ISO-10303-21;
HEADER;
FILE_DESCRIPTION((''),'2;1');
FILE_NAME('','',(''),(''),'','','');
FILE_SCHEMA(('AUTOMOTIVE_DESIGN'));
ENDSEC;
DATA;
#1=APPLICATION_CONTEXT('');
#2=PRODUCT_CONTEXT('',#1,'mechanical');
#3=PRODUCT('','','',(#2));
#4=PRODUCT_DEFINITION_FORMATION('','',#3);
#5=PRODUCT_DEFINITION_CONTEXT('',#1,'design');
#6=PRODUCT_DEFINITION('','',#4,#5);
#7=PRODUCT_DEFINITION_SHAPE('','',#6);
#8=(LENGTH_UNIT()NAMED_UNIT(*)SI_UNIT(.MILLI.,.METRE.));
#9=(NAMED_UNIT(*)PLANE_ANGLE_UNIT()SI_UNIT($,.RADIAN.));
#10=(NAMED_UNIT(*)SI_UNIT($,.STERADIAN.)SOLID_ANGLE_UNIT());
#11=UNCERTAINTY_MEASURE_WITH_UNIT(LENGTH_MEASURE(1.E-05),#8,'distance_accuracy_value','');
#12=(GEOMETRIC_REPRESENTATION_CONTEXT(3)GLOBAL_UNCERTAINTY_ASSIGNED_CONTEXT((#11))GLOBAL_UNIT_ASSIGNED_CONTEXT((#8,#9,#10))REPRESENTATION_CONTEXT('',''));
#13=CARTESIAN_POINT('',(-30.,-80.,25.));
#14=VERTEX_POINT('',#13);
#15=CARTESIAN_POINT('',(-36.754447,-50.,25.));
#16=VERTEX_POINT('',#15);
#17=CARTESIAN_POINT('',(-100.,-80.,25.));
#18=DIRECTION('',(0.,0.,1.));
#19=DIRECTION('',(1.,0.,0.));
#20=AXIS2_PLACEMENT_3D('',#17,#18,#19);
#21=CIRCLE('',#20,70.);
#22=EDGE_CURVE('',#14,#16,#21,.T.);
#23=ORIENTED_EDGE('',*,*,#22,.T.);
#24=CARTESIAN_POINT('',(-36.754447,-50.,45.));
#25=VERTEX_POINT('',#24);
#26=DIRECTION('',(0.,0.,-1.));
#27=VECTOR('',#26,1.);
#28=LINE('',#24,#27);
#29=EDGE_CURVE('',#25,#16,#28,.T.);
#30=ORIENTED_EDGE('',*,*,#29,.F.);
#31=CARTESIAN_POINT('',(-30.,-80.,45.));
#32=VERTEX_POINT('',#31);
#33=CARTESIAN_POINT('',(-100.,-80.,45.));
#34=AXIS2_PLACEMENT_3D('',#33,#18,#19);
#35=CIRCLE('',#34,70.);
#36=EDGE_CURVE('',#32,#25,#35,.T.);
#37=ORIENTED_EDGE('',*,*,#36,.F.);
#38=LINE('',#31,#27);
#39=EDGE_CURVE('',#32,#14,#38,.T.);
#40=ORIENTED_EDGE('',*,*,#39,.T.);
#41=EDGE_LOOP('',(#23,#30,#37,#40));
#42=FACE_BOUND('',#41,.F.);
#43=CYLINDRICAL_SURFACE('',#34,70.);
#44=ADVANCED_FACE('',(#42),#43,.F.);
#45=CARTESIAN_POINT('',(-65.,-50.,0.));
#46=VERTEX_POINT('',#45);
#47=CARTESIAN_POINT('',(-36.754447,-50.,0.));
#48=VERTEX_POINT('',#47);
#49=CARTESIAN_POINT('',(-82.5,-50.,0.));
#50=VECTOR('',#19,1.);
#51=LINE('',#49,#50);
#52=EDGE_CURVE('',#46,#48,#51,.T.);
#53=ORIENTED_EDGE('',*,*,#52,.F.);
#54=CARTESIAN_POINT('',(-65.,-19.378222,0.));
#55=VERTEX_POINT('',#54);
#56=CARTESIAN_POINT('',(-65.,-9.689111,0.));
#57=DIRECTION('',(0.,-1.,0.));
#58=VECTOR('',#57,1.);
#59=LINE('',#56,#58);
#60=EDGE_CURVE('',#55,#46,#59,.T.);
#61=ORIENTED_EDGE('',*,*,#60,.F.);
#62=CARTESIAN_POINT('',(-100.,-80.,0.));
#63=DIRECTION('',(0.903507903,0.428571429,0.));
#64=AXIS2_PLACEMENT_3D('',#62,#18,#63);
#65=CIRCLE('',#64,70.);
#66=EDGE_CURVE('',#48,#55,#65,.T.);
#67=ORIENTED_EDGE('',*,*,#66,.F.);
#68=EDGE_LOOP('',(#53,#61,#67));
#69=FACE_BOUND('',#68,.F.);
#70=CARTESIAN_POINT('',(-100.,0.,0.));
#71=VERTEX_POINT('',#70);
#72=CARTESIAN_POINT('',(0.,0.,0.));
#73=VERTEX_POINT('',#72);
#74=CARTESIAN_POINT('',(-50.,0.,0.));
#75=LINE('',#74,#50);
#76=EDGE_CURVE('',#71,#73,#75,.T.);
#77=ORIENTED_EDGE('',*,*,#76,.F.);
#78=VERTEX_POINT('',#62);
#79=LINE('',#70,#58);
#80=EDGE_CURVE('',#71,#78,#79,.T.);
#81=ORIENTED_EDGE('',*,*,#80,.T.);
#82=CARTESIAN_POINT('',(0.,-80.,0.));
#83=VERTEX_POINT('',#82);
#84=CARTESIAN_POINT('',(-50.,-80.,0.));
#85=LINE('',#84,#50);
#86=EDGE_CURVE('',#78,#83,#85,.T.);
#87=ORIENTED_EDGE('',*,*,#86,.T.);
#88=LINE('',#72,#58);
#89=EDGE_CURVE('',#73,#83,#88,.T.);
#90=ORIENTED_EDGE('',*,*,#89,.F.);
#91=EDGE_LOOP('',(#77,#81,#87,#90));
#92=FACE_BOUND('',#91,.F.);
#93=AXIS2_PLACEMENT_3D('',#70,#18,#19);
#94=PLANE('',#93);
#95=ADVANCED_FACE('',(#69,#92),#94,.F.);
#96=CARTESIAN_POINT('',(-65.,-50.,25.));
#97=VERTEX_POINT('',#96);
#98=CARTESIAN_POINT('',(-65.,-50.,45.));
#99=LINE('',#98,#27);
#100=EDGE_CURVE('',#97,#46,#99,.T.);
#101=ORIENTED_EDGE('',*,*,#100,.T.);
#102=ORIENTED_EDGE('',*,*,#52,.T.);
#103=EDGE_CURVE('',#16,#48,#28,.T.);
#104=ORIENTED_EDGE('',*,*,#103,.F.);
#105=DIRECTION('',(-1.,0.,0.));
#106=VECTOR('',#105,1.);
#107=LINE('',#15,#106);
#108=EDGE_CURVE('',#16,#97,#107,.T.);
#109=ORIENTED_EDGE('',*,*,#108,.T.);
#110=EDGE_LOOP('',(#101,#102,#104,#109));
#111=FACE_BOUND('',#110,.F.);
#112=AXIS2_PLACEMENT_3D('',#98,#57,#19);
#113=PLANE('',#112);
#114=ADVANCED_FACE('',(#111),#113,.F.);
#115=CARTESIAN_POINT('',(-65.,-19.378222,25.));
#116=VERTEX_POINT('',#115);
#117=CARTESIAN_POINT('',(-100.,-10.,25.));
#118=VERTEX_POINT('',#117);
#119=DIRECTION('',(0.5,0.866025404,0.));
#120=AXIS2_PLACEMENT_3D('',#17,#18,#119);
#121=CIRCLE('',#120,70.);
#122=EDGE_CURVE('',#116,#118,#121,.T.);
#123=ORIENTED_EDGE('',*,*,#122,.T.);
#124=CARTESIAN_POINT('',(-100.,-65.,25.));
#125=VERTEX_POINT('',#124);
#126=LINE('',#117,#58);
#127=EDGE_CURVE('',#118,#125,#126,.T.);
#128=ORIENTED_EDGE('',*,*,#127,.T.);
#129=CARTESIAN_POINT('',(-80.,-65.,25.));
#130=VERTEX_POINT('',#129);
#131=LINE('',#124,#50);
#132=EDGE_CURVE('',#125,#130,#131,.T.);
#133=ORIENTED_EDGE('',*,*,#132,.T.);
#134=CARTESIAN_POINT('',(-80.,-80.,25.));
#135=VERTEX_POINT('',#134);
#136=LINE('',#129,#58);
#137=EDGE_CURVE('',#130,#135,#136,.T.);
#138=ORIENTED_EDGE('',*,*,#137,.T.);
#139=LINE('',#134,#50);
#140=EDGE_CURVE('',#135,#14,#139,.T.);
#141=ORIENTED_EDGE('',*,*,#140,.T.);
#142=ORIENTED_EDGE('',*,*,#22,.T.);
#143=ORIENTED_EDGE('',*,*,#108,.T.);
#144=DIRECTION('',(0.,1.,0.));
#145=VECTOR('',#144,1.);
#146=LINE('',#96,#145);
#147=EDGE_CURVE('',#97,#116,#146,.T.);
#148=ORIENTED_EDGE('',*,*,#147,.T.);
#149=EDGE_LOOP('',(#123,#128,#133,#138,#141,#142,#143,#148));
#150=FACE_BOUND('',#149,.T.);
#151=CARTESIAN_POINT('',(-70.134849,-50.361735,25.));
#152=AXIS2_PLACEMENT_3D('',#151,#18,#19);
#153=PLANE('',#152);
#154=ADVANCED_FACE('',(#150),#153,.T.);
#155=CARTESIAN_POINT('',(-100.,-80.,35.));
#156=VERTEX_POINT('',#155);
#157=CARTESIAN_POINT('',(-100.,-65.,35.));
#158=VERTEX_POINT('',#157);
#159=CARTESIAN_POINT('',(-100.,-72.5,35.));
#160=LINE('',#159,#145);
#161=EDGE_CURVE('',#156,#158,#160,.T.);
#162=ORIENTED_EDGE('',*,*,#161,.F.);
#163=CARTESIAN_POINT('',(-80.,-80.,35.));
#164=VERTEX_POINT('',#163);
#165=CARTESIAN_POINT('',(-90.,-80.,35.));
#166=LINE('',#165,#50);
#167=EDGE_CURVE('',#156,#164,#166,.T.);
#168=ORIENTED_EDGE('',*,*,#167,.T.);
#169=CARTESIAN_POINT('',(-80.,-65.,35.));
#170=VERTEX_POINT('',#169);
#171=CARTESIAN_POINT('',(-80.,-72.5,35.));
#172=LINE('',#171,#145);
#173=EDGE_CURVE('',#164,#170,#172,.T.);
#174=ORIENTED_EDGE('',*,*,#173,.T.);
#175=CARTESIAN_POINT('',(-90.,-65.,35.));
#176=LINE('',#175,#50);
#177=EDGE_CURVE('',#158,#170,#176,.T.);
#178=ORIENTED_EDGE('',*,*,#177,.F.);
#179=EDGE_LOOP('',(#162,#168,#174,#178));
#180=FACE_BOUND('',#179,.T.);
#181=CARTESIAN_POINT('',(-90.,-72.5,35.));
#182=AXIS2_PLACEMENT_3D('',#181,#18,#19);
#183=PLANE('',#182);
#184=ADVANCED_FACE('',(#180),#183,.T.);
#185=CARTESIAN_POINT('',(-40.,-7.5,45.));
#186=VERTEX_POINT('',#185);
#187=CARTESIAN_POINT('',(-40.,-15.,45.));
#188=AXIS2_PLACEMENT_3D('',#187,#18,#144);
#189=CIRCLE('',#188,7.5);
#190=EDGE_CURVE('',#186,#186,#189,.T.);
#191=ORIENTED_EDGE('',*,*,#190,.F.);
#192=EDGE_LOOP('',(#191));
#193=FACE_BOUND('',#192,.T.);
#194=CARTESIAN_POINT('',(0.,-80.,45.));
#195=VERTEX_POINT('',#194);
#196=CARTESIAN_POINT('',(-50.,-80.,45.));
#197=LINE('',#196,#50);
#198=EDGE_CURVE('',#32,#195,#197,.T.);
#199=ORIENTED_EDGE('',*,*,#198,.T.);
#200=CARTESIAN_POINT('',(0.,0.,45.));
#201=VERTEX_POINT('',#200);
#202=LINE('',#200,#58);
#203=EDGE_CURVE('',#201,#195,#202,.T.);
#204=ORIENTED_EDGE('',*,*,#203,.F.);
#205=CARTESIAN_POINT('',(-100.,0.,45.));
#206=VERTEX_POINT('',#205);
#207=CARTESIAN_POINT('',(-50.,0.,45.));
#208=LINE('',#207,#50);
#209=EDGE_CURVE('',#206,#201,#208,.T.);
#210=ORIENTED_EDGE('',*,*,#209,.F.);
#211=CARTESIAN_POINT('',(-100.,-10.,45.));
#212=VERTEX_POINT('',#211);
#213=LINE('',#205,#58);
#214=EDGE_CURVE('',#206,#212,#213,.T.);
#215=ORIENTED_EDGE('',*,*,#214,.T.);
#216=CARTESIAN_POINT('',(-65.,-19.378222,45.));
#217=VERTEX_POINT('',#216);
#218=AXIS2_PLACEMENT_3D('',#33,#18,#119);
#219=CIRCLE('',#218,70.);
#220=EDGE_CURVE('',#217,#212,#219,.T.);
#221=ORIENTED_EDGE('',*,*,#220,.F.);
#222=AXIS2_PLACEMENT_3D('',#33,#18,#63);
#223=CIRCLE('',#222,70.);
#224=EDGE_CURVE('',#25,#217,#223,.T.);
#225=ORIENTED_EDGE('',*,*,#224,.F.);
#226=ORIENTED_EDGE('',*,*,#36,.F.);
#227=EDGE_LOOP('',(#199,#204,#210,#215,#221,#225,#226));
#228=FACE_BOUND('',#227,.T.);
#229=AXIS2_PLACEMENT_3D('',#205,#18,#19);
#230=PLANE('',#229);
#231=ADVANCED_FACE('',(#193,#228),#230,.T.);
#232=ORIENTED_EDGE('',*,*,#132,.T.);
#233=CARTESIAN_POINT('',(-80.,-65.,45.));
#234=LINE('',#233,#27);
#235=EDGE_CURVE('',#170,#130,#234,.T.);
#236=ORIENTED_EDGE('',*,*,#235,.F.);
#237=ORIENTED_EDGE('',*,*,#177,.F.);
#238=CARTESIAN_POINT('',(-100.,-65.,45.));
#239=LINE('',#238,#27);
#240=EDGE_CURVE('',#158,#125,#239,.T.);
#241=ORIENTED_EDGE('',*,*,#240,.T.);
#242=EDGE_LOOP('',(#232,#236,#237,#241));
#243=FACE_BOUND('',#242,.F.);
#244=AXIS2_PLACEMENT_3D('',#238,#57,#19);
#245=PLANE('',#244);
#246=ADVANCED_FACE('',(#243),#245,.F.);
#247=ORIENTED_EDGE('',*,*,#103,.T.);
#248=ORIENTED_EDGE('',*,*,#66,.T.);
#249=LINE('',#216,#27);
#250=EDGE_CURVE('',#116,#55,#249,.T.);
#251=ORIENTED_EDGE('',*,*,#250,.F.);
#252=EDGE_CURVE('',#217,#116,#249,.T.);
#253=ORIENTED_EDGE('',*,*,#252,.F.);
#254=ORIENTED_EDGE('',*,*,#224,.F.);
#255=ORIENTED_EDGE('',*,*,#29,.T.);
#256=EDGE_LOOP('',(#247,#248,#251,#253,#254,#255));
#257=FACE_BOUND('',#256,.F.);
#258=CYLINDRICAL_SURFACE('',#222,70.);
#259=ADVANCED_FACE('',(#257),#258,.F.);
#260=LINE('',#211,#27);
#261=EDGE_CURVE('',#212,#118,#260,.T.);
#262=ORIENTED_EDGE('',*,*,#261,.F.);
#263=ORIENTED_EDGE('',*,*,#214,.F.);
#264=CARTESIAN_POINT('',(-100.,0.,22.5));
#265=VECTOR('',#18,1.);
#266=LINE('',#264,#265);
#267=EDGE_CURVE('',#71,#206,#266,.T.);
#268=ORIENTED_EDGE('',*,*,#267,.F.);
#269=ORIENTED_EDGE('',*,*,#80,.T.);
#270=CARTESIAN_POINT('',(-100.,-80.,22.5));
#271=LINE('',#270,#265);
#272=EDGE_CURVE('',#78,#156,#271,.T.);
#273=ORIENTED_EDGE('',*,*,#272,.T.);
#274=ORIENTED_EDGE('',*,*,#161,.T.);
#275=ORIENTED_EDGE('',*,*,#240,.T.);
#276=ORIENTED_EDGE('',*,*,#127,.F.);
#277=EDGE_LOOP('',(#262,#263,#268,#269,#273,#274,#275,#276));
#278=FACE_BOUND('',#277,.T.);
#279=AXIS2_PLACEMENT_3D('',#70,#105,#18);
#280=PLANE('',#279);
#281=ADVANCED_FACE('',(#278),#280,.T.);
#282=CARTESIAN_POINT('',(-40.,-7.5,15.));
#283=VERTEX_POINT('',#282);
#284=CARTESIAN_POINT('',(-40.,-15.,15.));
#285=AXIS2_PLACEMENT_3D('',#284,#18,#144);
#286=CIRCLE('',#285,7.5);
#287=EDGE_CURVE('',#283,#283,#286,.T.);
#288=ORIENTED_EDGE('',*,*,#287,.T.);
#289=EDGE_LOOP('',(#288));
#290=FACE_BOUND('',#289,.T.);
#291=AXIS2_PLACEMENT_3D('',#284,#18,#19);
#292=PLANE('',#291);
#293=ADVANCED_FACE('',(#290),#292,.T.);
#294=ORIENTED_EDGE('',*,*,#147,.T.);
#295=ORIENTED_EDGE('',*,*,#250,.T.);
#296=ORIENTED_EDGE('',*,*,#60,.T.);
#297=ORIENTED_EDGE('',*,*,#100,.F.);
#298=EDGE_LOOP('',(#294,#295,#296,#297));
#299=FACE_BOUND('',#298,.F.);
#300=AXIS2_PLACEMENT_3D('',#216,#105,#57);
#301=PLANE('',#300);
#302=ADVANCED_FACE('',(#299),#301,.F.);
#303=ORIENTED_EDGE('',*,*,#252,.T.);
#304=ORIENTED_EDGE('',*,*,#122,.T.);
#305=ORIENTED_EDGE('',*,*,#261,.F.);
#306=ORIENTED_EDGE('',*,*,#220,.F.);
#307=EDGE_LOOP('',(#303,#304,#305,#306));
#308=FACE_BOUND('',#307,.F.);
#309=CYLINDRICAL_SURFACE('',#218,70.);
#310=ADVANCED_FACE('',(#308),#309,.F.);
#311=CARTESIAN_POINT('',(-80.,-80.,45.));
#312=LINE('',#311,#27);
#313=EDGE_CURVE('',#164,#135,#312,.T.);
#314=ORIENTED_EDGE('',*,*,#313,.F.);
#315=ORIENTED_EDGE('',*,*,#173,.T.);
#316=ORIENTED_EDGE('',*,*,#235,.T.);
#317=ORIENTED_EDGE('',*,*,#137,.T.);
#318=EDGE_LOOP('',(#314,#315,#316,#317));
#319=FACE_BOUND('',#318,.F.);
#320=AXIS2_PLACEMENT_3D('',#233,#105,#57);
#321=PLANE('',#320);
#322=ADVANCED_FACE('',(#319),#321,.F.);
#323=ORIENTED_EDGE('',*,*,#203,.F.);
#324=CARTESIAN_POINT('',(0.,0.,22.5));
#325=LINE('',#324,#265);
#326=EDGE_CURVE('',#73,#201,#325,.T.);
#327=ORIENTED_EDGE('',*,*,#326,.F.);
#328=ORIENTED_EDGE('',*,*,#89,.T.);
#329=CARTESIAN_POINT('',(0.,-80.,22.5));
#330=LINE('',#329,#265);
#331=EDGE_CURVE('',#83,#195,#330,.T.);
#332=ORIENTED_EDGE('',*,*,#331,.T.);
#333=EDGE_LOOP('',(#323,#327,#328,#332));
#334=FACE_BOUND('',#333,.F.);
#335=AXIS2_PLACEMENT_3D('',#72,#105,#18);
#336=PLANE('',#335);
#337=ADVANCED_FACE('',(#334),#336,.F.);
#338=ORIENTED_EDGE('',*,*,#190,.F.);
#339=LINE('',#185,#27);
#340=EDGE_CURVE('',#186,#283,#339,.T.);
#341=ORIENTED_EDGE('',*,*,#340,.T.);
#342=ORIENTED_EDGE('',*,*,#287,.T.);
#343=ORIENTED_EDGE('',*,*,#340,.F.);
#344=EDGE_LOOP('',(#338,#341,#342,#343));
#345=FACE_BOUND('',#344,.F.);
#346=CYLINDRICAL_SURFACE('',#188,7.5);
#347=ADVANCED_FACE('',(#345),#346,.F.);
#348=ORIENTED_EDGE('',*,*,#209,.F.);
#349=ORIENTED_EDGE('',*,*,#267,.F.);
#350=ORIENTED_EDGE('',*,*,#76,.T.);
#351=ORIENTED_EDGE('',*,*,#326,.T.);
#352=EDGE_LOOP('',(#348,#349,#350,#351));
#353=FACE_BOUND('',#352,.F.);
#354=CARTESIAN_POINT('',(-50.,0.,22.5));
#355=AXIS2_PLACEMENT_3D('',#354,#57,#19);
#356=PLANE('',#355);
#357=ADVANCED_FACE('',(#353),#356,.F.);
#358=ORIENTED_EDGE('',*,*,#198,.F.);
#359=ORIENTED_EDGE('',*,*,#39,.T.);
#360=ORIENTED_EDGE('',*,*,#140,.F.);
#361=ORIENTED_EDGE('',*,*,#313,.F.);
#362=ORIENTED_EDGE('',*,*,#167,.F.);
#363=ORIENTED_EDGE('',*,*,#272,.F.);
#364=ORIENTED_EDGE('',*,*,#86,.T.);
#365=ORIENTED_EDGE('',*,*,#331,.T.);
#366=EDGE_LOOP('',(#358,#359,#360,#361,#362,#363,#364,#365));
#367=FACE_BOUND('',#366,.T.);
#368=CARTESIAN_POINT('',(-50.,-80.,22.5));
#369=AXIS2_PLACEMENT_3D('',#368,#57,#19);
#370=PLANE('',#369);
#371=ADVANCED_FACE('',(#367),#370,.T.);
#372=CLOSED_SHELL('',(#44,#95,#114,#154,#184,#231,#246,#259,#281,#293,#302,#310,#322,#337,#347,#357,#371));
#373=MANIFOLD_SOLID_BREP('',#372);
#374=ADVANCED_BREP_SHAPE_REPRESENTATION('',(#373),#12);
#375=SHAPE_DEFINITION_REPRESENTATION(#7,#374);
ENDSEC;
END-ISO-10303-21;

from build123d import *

# Parameters (mm, degrees)
F0_W     = 100
F0_H     = 45
F1_DEPTH = 80
F3_DEPTH = 30
F5_DEPTH = 45.001
F6_DEPTH = 20
F4_W     = 20
F4_H     = 15
F7_DEPTH = 10


with BuildPart() as f1:
    # F0 (on Front) → F1 (new body)
    with BuildSketch(Plane.XZ):
        with Locations((-50, 22.5)):
            Rectangle(F0_W, F0_H)
    extrude(amount=F1_DEPTH)

    # F2 (on face) → F3 (cut)
    with BuildSketch(Plane.XY.offset(45)):
        with BuildLine():
            ThreePointArc((-32.5, -15), (-34.6966991411, -9.6966991411), (-40, -7.5))
            ThreePointArc((-40, -7.5), (-45.3033008589, -20.3033008589), (-32.5, -15))
        make_face()
    extrude(amount=-F3_DEPTH, mode=Mode.SUBTRACT)

    # F4 (on face) → F5 (cut, through all)
    with BuildSketch(Plane.XY.offset(45)):
        with BuildLine():
            Line((-57.3655851185, -50), (-36.7544467966, -50))
            ThreePointArc((-36.7544467966, -50), (-48.5464237678, -32.5391793906), (-65, -19.3782217351))
            Line((-65, -19.3782217351), (-65, -49.3667125702))
            Line((-65, -49.3667125702), (-65, -50))
            Line((-65, -50), (-57.3655851185, -50))
        make_face()
    extrude(amount=-F5_DEPTH, mode=Mode.SUBTRACT)

    # F4 (on face) → F6 (cut)
    with BuildSketch(Plane.XY.offset(45)):
        with BuildLine():
            Line((-80, -80), (-30, -80))
            ThreePointArc((-30, -80), (-31.7094855627, -64.6245117839), (-36.7544467966, -50))
            Line((-36.7544467966, -50), (-57.3655851185, -50))
            Line((-57.3655851185, -50), (-65, -50))
            Line((-65, -50), (-65, -49.3667125702))
            Line((-65, -49.3667125702), (-65, -19.3782217351))
            ThreePointArc((-65, -19.3782217351), (-81.8826668428, -12.3851921598), (-100, -10))
            Line((-100, -10), (-100, -65))
            Line((-100, -65), (-80, -65))
            Line((-80, -65), (-80, -80))
        make_face()
    extrude(amount=-F6_DEPTH, mode=Mode.SUBTRACT)

    # F4 (on face) → F7 (cut)
    with BuildSketch(Plane.XY.offset(45)):
        with Locations((-90, -72.5)):
            Rectangle(F4_W, F4_H)
    extrude(amount=-F7_DEPTH, mode=Mode.SUBTRACT)


solid = f1.part
